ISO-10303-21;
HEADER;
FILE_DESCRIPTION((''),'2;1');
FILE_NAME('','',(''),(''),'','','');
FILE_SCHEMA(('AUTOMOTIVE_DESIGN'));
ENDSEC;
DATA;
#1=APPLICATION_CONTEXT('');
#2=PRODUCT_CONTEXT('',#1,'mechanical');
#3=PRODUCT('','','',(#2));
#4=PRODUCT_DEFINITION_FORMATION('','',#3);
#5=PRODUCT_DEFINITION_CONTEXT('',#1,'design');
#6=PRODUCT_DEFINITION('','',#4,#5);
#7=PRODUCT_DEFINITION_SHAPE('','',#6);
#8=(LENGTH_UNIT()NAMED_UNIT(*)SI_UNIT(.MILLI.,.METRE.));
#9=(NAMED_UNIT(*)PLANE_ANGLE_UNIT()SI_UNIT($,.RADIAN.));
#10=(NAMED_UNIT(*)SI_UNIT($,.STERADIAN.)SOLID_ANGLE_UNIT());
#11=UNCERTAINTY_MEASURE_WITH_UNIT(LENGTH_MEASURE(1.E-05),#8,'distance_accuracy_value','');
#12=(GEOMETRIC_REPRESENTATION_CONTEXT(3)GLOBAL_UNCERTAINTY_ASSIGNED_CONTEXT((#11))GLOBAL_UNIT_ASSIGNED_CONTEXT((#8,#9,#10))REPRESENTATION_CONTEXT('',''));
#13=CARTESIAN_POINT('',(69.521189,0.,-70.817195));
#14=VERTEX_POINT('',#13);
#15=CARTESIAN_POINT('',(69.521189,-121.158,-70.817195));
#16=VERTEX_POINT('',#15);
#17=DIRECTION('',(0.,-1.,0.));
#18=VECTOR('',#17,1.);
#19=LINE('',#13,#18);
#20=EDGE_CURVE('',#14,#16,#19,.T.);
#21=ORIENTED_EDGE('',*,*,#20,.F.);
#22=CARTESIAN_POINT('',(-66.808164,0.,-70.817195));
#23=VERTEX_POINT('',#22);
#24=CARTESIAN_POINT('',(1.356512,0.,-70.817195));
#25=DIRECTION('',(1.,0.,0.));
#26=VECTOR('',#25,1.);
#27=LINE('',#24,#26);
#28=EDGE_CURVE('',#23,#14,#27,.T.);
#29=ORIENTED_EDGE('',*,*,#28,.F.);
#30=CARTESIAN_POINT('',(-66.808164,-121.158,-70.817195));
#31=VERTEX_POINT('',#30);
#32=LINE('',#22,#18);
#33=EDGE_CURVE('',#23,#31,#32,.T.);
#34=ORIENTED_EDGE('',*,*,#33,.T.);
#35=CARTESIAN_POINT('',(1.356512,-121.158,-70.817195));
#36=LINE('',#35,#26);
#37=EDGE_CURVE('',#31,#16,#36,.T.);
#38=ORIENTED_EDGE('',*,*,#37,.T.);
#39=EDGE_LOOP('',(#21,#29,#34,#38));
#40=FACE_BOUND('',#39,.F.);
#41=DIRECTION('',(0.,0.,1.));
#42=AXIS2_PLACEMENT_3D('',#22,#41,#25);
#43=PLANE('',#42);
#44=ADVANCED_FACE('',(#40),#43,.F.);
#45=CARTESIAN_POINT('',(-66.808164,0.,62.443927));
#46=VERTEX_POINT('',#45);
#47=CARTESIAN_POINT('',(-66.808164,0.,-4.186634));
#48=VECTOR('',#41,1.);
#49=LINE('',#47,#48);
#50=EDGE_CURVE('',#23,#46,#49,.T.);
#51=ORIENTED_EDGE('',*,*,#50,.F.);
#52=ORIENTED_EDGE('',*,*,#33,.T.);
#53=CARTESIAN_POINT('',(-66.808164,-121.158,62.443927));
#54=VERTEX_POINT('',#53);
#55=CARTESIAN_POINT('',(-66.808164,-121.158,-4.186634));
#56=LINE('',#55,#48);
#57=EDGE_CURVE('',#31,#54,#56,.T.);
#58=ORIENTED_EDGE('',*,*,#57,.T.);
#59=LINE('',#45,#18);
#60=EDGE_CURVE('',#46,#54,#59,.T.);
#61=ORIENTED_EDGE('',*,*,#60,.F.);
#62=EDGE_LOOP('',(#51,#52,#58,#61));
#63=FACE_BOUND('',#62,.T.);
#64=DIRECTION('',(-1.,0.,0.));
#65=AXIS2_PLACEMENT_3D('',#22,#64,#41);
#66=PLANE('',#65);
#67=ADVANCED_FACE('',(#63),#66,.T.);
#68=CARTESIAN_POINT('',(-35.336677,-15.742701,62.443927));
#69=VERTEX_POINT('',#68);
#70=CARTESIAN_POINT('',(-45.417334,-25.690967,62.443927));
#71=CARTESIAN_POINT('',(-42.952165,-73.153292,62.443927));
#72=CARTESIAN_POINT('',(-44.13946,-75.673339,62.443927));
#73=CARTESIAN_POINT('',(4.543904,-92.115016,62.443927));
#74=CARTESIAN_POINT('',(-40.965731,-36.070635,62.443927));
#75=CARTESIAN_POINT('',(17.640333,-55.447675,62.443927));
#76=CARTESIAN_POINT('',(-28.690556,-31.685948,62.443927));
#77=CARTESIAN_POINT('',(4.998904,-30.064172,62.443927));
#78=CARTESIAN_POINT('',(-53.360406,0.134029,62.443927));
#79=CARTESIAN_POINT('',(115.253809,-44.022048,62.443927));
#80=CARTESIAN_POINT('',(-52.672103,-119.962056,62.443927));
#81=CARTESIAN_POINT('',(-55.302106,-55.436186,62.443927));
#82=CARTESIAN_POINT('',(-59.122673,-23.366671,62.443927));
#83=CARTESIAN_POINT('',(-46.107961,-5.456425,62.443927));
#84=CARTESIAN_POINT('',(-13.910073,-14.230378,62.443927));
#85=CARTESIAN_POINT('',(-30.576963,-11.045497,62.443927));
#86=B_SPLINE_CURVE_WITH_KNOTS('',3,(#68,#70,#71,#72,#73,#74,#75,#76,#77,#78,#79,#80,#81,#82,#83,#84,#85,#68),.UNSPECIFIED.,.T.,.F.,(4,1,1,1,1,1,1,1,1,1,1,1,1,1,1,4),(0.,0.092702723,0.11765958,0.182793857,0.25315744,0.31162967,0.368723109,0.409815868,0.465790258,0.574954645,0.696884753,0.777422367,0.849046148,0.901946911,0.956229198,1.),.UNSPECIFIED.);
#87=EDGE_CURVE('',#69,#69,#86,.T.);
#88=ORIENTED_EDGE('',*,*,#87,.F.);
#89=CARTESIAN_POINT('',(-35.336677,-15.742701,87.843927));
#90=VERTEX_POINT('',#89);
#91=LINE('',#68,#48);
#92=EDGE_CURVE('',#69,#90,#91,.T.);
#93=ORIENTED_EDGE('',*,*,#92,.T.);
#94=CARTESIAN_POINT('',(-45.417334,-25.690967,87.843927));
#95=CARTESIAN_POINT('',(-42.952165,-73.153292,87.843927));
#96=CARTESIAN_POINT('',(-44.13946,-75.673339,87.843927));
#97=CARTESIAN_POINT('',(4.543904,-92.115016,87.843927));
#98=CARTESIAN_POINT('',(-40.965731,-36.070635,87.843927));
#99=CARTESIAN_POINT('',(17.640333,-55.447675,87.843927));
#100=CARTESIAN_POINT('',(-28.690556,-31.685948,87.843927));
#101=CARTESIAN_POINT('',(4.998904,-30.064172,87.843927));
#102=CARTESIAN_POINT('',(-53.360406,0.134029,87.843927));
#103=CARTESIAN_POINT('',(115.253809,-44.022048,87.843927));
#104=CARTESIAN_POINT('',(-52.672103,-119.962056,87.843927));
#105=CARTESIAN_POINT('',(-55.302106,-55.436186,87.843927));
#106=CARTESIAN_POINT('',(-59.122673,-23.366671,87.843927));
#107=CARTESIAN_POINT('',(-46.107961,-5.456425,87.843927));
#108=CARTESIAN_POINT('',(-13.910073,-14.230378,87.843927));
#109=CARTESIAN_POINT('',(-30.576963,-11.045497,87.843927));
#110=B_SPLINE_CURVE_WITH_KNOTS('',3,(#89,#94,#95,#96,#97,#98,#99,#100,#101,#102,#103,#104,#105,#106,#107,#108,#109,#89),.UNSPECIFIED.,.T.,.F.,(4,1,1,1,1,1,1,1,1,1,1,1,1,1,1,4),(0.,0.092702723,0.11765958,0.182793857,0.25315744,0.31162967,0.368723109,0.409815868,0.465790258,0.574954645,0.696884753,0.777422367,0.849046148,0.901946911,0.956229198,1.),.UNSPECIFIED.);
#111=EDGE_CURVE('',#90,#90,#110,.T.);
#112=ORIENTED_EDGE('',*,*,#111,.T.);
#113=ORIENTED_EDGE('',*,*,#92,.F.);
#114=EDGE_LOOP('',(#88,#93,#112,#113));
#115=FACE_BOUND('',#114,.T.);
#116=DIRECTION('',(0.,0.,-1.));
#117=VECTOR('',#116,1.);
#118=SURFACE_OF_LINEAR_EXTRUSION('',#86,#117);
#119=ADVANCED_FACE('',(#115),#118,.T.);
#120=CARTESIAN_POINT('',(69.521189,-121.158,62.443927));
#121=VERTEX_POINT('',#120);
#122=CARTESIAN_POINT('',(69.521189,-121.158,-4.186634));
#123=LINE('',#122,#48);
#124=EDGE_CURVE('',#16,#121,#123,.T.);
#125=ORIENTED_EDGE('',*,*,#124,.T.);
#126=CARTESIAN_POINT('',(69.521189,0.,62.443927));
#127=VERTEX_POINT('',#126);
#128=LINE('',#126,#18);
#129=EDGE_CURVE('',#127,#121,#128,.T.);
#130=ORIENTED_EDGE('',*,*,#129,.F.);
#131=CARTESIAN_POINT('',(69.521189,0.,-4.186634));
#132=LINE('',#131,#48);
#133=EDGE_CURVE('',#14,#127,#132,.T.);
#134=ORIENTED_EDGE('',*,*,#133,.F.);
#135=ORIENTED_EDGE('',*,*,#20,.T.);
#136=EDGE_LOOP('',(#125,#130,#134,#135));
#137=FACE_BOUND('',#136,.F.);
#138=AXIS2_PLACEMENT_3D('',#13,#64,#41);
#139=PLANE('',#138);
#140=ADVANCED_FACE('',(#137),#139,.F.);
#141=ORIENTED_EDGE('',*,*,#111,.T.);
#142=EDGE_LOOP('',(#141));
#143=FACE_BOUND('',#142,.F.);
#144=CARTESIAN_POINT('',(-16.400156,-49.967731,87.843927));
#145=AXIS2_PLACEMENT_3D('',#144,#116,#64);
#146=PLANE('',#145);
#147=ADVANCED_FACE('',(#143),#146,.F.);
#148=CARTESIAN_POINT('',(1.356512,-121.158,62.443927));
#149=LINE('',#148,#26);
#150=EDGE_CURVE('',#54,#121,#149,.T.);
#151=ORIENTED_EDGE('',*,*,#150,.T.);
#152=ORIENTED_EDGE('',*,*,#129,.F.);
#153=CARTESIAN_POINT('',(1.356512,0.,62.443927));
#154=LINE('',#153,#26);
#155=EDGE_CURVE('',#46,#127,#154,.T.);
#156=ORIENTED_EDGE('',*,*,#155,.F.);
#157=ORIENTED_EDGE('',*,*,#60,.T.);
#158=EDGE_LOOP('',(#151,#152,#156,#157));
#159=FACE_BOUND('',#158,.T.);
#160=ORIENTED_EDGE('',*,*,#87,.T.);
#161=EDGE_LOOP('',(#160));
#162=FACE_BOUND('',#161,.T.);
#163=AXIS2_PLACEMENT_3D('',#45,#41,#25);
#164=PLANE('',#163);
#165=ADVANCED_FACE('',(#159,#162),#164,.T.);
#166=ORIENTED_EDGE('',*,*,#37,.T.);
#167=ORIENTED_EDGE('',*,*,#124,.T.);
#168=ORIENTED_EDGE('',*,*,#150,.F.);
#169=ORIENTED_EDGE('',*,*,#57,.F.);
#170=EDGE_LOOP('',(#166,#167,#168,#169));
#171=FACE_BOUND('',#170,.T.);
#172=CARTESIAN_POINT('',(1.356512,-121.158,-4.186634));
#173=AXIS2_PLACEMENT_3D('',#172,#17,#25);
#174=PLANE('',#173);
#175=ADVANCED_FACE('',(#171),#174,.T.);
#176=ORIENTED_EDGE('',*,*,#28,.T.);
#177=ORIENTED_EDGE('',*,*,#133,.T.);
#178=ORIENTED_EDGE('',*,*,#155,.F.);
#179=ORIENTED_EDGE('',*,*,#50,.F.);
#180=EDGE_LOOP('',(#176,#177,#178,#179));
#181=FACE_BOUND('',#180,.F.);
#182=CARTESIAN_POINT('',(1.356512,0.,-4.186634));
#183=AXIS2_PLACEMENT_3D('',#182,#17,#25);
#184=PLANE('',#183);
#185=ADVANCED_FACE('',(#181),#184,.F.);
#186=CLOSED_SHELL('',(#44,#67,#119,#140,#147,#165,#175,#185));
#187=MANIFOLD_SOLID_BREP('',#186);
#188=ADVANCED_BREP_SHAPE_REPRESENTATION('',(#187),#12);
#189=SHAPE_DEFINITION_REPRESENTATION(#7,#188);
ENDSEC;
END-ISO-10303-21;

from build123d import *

# Parameters (mm, degrees)
F0_W     = 136.3293528557
F0_H     = 133.2611218095
F1_DEPTH = 121.158
F3_DEPTH = 25.4


with BuildPart() as f1:
    # F0 (on Front) → F1 (new body)
    with BuildSketch(Plane.XZ):
        with Locations((1.3565123081, -4.1866339743)):
            Rectangle(F0_W, F0_H)
    extrude(amount=F1_DEPTH)

    # F2 (on face) → F3 (join)
    with BuildSketch(Plane.XY.offset(62.4439269304)):
        with BuildLine():
            add(Edge.make_bspline(
                [(-35.336676985, -15.742700547), (-45.4173343222, -25.6909668771), (-42.9521647334, -73.1532922134), (-44.1394604892, -75.6733390582), (4.5439038967, -92.1150158627), (-40.9657310744, -36.0706347282), (17.6403327, -55.4476749537), (-28.6905558415, -31.6859484272), (4.998904435, -30.064172208), (-53.3604063222, 0.1340287549), (115.2538092755, -44.0220480489), (-52.6721030652, -119.9620556973), (-55.3021057669, -55.436185562), (-59.1226734701, -23.36667104), (-46.1079609086, -5.4564249244), (-13.9100726384, -14.2303776298), (-30.5769629578, -11.0454966629), (-35.336676985, -15.742700547)],
                knots=[0, 0, 0, 0, 0.092702723, 0.1176595804, 0.1827938569, 0.2531574401, 0.3116296696, 0.3687231085, 0.4098158678, 0.4657902584, 0.5749546447, 0.6968847525, 0.7774223674, 0.849046148, 0.9019469109, 0.9562291985, 1, 1, 1, 1], degree=3))
        make_face()
    extrude(amount=F3_DEPTH)


solid = f1.part
